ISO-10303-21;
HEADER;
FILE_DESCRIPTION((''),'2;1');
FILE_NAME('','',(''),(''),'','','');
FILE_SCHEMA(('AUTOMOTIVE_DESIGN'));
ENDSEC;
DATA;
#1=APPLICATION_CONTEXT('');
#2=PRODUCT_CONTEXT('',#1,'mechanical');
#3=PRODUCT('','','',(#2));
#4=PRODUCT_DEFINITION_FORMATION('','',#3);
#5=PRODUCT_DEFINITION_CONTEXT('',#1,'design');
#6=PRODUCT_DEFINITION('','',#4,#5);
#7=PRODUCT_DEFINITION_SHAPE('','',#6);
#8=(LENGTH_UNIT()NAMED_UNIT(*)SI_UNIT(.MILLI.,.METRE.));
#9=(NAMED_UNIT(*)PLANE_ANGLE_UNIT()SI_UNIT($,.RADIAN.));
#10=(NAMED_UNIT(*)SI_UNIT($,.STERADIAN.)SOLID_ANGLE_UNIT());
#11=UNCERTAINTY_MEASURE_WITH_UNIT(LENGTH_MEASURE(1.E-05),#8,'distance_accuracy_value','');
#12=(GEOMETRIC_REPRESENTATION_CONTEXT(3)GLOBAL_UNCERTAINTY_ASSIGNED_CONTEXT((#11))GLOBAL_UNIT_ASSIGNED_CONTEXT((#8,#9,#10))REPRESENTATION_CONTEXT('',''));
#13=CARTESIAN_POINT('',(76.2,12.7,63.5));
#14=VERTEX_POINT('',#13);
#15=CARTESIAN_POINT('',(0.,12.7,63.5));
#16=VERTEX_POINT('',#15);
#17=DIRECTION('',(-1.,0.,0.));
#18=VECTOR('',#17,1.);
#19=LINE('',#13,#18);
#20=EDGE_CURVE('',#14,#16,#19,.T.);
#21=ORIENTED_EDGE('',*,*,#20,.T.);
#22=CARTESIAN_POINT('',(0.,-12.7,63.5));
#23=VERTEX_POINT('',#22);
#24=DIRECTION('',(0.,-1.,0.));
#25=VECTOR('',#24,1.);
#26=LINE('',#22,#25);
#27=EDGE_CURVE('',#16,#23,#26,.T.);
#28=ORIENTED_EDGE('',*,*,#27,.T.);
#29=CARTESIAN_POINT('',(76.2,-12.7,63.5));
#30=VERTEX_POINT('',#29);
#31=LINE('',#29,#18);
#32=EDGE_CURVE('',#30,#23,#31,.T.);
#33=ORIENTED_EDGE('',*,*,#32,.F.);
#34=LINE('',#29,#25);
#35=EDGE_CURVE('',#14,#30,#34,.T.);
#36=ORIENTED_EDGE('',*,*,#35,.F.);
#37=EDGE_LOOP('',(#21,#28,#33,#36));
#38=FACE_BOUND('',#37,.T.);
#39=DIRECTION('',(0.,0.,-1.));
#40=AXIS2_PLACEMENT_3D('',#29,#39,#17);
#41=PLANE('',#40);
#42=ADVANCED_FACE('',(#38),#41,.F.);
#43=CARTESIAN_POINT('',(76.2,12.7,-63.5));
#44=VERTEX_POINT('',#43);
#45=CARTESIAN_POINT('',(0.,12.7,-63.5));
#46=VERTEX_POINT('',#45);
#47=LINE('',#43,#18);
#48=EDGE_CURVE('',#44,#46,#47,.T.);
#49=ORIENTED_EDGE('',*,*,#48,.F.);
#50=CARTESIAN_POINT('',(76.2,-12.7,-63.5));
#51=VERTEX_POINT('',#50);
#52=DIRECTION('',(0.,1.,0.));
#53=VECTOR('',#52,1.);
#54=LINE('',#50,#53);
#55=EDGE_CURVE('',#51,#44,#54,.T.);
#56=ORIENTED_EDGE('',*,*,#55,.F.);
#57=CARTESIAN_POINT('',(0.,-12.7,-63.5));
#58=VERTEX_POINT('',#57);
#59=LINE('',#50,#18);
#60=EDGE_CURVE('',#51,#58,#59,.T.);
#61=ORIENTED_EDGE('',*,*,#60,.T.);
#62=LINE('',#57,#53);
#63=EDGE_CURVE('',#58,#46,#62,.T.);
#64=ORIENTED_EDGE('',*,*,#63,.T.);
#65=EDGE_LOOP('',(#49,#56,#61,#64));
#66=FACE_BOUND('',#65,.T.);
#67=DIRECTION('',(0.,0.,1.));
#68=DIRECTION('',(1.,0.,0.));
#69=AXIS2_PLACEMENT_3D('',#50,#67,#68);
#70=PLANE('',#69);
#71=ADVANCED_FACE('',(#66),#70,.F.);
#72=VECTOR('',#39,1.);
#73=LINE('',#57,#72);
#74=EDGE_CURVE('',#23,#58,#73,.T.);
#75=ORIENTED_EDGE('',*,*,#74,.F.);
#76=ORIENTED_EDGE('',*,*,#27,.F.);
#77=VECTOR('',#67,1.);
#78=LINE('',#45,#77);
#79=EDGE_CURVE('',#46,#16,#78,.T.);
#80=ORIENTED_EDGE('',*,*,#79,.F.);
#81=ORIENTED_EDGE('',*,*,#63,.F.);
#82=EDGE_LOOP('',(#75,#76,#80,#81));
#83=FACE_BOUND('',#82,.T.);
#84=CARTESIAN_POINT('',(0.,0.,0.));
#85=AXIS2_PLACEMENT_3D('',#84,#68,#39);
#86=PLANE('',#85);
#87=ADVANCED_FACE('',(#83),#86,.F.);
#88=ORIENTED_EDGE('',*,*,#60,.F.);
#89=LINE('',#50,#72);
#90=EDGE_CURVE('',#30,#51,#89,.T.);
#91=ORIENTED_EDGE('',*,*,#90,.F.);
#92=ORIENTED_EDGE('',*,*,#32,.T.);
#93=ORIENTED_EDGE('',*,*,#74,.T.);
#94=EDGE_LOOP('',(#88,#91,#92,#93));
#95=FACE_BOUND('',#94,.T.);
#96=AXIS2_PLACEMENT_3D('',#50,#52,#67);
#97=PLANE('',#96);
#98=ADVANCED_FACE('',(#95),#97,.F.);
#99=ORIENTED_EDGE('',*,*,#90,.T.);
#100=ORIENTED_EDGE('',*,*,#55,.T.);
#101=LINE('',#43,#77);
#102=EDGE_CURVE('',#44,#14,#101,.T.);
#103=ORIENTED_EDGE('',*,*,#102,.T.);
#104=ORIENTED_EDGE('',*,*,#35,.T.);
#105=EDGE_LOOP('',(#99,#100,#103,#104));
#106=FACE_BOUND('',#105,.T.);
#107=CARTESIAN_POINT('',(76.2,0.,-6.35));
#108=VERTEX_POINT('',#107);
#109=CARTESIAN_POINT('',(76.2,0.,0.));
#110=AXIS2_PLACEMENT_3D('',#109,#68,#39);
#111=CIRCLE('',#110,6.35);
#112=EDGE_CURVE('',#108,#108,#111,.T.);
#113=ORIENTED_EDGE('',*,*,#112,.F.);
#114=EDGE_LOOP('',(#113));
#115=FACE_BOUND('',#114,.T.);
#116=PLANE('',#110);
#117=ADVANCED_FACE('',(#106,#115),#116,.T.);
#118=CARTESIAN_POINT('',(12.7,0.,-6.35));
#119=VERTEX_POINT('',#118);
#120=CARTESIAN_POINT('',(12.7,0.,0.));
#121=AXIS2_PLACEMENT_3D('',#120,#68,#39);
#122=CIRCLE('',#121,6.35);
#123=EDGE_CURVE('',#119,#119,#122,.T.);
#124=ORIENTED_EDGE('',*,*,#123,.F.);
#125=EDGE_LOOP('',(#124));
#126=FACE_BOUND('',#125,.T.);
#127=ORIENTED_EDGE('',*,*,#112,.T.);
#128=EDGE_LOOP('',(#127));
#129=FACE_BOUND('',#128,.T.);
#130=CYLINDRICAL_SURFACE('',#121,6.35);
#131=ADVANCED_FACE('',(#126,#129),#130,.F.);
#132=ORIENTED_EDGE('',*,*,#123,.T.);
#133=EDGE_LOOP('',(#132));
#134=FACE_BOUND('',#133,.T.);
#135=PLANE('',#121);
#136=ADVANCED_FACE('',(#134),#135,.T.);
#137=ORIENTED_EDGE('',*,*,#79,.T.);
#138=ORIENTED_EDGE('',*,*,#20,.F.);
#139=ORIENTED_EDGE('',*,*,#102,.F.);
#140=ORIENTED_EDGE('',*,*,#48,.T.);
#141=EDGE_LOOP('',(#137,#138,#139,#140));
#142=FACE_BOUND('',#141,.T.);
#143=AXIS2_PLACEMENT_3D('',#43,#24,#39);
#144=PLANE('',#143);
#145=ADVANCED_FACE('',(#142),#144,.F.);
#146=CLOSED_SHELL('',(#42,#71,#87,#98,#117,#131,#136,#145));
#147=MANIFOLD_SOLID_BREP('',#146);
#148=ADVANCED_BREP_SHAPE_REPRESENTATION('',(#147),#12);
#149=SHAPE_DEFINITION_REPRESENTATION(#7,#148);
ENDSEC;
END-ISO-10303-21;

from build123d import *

# Parameters (mm, degrees)
SKETCH2_W           = 127
SKETCH2_H           = 25.4
BOSS_EXTRUDE1_DEPTH = 76.2
SKETCH3_R           = 6.35
CUT_EXTRUDE1_DEPTH  = 63.5


with BuildPart() as part:
    # Sketch2 → Boss-Extrude1 (new body)
    with BuildSketch(Plane(origin=(0, 0, 0), x_dir=(0, 0, -1), z_dir=(1, 0, 0))):
        Rectangle(SKETCH2_W, SKETCH2_H)
    extrude(amount=BOSS_EXTRUDE1_DEPTH)

    # Sketch3 → Cut-Extrude1 (cut)
    with BuildSketch(Plane(origin=(76.2, 0, 0), x_dir=(0, 0, -1), z_dir=(1, 0, 0))):
        Circle(SKETCH3_R)
    extrude(amount=-CUT_EXTRUDE1_DEPTH, mode=Mode.SUBTRACT)


solid = part.part
